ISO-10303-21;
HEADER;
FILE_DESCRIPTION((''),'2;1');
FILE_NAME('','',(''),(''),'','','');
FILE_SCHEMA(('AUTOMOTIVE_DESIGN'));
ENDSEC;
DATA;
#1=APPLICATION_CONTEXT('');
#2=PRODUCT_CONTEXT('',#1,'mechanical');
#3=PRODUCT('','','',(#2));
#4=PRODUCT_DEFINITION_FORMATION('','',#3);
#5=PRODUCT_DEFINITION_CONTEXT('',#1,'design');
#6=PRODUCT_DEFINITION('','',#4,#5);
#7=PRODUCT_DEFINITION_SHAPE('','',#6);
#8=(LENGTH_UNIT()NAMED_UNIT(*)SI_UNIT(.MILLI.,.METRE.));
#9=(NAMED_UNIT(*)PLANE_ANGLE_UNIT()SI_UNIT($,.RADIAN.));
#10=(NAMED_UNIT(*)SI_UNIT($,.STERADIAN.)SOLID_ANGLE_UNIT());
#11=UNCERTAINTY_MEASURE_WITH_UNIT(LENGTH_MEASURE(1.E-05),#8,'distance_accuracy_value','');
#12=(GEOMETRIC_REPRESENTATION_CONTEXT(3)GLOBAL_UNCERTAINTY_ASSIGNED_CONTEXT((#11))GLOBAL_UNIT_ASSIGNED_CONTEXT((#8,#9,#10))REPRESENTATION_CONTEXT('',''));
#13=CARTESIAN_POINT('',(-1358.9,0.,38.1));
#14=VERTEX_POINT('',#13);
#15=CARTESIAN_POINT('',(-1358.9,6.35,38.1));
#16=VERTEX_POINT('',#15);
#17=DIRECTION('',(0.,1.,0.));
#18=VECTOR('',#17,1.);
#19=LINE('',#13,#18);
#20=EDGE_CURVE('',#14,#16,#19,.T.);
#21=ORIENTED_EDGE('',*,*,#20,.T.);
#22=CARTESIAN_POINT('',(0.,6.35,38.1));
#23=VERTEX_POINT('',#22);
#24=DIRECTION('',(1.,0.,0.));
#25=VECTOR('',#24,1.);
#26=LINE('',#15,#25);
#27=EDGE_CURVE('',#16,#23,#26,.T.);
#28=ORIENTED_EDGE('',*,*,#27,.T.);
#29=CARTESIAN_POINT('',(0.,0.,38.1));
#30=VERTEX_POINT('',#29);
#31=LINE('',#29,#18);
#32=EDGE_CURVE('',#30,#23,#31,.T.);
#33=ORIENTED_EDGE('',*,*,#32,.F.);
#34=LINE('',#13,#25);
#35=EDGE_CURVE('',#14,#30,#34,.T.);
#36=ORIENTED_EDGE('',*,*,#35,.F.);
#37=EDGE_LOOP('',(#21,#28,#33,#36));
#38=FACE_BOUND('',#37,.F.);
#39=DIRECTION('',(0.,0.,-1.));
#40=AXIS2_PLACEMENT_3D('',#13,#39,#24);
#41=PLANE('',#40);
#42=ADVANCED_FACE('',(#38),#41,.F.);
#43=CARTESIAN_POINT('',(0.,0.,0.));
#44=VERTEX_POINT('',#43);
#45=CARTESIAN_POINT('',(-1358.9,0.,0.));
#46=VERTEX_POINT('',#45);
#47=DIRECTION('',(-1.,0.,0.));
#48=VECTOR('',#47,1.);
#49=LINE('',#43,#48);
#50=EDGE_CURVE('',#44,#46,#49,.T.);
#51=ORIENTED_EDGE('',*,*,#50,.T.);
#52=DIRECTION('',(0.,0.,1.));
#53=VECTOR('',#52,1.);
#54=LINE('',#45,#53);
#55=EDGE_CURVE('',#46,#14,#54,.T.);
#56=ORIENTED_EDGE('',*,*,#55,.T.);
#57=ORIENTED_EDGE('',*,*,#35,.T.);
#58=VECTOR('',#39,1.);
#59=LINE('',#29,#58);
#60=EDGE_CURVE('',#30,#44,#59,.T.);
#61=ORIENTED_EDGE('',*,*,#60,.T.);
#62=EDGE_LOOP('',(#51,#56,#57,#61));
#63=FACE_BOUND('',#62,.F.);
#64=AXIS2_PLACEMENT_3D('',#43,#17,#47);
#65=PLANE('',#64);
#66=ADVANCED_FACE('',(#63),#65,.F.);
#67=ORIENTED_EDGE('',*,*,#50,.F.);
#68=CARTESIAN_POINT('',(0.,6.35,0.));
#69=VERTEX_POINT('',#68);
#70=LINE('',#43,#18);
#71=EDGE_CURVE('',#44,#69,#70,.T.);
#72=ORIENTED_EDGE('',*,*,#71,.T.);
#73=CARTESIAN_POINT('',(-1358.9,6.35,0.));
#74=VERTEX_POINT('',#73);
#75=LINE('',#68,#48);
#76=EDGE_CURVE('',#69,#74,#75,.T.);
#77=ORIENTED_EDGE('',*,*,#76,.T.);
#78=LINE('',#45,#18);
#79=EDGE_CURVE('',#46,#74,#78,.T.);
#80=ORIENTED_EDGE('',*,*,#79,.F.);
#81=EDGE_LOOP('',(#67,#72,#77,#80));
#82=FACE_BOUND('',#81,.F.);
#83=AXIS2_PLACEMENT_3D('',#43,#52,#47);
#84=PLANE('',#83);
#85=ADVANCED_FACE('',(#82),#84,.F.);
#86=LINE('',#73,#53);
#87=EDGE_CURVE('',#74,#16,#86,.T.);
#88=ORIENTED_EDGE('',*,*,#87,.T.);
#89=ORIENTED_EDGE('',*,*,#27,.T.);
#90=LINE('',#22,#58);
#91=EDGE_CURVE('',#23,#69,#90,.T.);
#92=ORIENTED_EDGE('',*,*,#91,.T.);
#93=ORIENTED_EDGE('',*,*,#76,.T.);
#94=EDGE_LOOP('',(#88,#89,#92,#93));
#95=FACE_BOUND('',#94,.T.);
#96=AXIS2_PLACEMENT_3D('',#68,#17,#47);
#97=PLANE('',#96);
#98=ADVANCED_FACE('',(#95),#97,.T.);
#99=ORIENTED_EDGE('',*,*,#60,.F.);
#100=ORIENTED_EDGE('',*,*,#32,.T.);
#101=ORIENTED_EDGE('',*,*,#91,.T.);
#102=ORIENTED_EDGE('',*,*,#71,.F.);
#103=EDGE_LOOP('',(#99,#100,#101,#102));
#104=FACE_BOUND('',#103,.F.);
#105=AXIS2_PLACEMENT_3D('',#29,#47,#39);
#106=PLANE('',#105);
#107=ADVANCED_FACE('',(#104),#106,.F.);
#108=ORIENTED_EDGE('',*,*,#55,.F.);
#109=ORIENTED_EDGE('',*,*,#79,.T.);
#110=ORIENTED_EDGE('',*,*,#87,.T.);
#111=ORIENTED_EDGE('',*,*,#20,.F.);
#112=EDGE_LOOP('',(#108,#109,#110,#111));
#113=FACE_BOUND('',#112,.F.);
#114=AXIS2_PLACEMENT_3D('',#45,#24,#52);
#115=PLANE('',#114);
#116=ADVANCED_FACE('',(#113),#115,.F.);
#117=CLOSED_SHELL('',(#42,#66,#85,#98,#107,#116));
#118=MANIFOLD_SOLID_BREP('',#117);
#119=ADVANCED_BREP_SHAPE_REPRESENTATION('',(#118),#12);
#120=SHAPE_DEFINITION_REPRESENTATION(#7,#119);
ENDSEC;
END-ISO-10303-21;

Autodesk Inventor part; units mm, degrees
ref_plane "YZ Plane" through (0, 0, 0) normal (1, 0, 0) x (0, 1, 0)
ref_plane "XZ Plane" through (0, 0, 0) normal (0, 1, 0) x (-1, 0, 0)
ref_plane "XY Plane" through (0, 0, 0) normal (0, 0, 1) x (1, 0, 0)
sketch "Sketch1" plane through (0, 0, 0) normal (0, 1, 0) x (-1, 0, 0)
  line L0 (0, 0) -> (1358.9, 0)
  line L1 (1358.9, 0) -> (1358.9, 38.1)
  line L2 (1358.9, 38.1) -> (0, 38.1)
  line L3 (0, 38.1) -> (0, 0)
  dimension "d0" = 1358.9
  dimension "d1" = 38.1
extrude "Extrusion1" add sketch "Sketch1" along normal blind 6.35
properties part number "bottom-panel" material "Polycarbonate, Clear"
